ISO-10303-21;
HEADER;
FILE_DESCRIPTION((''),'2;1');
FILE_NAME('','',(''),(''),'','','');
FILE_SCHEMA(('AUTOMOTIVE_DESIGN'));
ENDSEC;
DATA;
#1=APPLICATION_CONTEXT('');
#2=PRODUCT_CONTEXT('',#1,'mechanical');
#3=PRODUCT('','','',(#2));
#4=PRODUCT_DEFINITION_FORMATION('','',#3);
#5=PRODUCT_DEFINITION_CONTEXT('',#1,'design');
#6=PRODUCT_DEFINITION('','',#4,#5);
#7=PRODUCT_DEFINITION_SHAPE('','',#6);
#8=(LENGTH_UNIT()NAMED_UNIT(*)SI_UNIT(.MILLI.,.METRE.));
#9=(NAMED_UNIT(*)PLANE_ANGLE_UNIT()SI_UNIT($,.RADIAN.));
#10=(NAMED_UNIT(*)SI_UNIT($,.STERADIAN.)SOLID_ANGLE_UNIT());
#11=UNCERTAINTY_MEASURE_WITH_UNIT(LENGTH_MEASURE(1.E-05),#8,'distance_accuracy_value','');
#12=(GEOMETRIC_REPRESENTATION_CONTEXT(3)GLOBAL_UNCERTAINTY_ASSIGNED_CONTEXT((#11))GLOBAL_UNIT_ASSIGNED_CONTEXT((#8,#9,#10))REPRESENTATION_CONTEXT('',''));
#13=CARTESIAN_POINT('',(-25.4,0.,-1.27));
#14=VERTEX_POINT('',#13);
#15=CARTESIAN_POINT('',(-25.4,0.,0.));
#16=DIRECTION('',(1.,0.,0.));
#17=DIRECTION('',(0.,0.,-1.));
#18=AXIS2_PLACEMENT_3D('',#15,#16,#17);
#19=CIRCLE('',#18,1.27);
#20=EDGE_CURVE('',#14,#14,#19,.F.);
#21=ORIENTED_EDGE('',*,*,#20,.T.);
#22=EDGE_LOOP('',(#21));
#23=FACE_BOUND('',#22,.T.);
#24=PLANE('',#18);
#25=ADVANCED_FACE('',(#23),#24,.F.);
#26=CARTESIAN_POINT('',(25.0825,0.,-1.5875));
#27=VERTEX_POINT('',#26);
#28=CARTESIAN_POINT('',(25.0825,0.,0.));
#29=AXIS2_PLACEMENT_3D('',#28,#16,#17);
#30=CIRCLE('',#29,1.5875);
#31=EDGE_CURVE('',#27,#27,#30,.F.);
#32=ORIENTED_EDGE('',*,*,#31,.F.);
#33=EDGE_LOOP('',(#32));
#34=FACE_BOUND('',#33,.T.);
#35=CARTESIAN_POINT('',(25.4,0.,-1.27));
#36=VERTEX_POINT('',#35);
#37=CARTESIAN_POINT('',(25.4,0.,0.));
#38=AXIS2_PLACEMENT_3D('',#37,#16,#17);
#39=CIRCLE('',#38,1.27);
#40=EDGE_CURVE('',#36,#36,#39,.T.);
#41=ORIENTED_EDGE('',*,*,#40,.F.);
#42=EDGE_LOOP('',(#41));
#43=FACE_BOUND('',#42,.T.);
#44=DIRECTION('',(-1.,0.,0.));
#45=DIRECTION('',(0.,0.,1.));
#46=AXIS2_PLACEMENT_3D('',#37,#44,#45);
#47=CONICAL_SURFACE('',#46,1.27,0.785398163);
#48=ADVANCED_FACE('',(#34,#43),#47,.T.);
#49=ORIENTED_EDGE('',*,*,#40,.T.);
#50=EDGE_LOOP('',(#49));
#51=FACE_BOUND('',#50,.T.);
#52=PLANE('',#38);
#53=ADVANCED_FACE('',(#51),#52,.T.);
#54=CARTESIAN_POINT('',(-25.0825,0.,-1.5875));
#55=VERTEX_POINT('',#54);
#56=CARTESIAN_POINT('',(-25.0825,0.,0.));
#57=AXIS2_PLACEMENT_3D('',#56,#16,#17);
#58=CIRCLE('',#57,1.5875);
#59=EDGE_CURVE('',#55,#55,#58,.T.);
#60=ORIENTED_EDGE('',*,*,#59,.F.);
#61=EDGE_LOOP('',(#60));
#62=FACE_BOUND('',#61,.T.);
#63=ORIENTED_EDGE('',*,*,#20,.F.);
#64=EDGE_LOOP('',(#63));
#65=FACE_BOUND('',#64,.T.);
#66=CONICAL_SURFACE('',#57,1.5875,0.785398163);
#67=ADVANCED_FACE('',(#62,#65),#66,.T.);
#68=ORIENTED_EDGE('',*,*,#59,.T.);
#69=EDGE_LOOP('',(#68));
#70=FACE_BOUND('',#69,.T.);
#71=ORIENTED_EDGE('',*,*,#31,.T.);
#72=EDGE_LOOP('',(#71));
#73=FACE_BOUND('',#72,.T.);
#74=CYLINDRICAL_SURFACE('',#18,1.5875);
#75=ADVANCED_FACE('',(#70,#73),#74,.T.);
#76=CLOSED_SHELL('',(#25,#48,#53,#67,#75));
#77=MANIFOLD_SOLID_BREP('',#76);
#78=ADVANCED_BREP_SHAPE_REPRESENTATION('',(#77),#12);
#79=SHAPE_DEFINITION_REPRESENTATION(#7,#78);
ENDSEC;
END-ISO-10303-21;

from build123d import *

# Parameters (mm, degrees)
SKETCH2_R           = 1.5875
EXTRUDE1_DEPTH      = 25.4
EXTRUDE1_DEPTH_BACK = 25.4
CHAMFER1_SIZE       = 0.3175


with BuildPart() as part:
    # Sketch2 → Extrude1 (new body, two sides)
    with BuildSketch(Plane(origin=(0, 0, 0), x_dir=(0, 0, -1), z_dir=(1, 0, 0))) as extrude1_sk:
        Circle(SKETCH2_R)
    extrude(amount=EXTRUDE1_DEPTH)
    extrude(extrude1_sk.sketch, amount=-EXTRUDE1_DEPTH_BACK)

    # Chamfer1
    chamfer1_edges = [part.edges().sort_by_distance(p)[0] for p in [
        (-25.4, 0, 1.5875),
        (25.4, 0, 1.5875),
    ]]
    chamfer(chamfer1_edges, length=CHAMFER1_SIZE)


solid = part.part
